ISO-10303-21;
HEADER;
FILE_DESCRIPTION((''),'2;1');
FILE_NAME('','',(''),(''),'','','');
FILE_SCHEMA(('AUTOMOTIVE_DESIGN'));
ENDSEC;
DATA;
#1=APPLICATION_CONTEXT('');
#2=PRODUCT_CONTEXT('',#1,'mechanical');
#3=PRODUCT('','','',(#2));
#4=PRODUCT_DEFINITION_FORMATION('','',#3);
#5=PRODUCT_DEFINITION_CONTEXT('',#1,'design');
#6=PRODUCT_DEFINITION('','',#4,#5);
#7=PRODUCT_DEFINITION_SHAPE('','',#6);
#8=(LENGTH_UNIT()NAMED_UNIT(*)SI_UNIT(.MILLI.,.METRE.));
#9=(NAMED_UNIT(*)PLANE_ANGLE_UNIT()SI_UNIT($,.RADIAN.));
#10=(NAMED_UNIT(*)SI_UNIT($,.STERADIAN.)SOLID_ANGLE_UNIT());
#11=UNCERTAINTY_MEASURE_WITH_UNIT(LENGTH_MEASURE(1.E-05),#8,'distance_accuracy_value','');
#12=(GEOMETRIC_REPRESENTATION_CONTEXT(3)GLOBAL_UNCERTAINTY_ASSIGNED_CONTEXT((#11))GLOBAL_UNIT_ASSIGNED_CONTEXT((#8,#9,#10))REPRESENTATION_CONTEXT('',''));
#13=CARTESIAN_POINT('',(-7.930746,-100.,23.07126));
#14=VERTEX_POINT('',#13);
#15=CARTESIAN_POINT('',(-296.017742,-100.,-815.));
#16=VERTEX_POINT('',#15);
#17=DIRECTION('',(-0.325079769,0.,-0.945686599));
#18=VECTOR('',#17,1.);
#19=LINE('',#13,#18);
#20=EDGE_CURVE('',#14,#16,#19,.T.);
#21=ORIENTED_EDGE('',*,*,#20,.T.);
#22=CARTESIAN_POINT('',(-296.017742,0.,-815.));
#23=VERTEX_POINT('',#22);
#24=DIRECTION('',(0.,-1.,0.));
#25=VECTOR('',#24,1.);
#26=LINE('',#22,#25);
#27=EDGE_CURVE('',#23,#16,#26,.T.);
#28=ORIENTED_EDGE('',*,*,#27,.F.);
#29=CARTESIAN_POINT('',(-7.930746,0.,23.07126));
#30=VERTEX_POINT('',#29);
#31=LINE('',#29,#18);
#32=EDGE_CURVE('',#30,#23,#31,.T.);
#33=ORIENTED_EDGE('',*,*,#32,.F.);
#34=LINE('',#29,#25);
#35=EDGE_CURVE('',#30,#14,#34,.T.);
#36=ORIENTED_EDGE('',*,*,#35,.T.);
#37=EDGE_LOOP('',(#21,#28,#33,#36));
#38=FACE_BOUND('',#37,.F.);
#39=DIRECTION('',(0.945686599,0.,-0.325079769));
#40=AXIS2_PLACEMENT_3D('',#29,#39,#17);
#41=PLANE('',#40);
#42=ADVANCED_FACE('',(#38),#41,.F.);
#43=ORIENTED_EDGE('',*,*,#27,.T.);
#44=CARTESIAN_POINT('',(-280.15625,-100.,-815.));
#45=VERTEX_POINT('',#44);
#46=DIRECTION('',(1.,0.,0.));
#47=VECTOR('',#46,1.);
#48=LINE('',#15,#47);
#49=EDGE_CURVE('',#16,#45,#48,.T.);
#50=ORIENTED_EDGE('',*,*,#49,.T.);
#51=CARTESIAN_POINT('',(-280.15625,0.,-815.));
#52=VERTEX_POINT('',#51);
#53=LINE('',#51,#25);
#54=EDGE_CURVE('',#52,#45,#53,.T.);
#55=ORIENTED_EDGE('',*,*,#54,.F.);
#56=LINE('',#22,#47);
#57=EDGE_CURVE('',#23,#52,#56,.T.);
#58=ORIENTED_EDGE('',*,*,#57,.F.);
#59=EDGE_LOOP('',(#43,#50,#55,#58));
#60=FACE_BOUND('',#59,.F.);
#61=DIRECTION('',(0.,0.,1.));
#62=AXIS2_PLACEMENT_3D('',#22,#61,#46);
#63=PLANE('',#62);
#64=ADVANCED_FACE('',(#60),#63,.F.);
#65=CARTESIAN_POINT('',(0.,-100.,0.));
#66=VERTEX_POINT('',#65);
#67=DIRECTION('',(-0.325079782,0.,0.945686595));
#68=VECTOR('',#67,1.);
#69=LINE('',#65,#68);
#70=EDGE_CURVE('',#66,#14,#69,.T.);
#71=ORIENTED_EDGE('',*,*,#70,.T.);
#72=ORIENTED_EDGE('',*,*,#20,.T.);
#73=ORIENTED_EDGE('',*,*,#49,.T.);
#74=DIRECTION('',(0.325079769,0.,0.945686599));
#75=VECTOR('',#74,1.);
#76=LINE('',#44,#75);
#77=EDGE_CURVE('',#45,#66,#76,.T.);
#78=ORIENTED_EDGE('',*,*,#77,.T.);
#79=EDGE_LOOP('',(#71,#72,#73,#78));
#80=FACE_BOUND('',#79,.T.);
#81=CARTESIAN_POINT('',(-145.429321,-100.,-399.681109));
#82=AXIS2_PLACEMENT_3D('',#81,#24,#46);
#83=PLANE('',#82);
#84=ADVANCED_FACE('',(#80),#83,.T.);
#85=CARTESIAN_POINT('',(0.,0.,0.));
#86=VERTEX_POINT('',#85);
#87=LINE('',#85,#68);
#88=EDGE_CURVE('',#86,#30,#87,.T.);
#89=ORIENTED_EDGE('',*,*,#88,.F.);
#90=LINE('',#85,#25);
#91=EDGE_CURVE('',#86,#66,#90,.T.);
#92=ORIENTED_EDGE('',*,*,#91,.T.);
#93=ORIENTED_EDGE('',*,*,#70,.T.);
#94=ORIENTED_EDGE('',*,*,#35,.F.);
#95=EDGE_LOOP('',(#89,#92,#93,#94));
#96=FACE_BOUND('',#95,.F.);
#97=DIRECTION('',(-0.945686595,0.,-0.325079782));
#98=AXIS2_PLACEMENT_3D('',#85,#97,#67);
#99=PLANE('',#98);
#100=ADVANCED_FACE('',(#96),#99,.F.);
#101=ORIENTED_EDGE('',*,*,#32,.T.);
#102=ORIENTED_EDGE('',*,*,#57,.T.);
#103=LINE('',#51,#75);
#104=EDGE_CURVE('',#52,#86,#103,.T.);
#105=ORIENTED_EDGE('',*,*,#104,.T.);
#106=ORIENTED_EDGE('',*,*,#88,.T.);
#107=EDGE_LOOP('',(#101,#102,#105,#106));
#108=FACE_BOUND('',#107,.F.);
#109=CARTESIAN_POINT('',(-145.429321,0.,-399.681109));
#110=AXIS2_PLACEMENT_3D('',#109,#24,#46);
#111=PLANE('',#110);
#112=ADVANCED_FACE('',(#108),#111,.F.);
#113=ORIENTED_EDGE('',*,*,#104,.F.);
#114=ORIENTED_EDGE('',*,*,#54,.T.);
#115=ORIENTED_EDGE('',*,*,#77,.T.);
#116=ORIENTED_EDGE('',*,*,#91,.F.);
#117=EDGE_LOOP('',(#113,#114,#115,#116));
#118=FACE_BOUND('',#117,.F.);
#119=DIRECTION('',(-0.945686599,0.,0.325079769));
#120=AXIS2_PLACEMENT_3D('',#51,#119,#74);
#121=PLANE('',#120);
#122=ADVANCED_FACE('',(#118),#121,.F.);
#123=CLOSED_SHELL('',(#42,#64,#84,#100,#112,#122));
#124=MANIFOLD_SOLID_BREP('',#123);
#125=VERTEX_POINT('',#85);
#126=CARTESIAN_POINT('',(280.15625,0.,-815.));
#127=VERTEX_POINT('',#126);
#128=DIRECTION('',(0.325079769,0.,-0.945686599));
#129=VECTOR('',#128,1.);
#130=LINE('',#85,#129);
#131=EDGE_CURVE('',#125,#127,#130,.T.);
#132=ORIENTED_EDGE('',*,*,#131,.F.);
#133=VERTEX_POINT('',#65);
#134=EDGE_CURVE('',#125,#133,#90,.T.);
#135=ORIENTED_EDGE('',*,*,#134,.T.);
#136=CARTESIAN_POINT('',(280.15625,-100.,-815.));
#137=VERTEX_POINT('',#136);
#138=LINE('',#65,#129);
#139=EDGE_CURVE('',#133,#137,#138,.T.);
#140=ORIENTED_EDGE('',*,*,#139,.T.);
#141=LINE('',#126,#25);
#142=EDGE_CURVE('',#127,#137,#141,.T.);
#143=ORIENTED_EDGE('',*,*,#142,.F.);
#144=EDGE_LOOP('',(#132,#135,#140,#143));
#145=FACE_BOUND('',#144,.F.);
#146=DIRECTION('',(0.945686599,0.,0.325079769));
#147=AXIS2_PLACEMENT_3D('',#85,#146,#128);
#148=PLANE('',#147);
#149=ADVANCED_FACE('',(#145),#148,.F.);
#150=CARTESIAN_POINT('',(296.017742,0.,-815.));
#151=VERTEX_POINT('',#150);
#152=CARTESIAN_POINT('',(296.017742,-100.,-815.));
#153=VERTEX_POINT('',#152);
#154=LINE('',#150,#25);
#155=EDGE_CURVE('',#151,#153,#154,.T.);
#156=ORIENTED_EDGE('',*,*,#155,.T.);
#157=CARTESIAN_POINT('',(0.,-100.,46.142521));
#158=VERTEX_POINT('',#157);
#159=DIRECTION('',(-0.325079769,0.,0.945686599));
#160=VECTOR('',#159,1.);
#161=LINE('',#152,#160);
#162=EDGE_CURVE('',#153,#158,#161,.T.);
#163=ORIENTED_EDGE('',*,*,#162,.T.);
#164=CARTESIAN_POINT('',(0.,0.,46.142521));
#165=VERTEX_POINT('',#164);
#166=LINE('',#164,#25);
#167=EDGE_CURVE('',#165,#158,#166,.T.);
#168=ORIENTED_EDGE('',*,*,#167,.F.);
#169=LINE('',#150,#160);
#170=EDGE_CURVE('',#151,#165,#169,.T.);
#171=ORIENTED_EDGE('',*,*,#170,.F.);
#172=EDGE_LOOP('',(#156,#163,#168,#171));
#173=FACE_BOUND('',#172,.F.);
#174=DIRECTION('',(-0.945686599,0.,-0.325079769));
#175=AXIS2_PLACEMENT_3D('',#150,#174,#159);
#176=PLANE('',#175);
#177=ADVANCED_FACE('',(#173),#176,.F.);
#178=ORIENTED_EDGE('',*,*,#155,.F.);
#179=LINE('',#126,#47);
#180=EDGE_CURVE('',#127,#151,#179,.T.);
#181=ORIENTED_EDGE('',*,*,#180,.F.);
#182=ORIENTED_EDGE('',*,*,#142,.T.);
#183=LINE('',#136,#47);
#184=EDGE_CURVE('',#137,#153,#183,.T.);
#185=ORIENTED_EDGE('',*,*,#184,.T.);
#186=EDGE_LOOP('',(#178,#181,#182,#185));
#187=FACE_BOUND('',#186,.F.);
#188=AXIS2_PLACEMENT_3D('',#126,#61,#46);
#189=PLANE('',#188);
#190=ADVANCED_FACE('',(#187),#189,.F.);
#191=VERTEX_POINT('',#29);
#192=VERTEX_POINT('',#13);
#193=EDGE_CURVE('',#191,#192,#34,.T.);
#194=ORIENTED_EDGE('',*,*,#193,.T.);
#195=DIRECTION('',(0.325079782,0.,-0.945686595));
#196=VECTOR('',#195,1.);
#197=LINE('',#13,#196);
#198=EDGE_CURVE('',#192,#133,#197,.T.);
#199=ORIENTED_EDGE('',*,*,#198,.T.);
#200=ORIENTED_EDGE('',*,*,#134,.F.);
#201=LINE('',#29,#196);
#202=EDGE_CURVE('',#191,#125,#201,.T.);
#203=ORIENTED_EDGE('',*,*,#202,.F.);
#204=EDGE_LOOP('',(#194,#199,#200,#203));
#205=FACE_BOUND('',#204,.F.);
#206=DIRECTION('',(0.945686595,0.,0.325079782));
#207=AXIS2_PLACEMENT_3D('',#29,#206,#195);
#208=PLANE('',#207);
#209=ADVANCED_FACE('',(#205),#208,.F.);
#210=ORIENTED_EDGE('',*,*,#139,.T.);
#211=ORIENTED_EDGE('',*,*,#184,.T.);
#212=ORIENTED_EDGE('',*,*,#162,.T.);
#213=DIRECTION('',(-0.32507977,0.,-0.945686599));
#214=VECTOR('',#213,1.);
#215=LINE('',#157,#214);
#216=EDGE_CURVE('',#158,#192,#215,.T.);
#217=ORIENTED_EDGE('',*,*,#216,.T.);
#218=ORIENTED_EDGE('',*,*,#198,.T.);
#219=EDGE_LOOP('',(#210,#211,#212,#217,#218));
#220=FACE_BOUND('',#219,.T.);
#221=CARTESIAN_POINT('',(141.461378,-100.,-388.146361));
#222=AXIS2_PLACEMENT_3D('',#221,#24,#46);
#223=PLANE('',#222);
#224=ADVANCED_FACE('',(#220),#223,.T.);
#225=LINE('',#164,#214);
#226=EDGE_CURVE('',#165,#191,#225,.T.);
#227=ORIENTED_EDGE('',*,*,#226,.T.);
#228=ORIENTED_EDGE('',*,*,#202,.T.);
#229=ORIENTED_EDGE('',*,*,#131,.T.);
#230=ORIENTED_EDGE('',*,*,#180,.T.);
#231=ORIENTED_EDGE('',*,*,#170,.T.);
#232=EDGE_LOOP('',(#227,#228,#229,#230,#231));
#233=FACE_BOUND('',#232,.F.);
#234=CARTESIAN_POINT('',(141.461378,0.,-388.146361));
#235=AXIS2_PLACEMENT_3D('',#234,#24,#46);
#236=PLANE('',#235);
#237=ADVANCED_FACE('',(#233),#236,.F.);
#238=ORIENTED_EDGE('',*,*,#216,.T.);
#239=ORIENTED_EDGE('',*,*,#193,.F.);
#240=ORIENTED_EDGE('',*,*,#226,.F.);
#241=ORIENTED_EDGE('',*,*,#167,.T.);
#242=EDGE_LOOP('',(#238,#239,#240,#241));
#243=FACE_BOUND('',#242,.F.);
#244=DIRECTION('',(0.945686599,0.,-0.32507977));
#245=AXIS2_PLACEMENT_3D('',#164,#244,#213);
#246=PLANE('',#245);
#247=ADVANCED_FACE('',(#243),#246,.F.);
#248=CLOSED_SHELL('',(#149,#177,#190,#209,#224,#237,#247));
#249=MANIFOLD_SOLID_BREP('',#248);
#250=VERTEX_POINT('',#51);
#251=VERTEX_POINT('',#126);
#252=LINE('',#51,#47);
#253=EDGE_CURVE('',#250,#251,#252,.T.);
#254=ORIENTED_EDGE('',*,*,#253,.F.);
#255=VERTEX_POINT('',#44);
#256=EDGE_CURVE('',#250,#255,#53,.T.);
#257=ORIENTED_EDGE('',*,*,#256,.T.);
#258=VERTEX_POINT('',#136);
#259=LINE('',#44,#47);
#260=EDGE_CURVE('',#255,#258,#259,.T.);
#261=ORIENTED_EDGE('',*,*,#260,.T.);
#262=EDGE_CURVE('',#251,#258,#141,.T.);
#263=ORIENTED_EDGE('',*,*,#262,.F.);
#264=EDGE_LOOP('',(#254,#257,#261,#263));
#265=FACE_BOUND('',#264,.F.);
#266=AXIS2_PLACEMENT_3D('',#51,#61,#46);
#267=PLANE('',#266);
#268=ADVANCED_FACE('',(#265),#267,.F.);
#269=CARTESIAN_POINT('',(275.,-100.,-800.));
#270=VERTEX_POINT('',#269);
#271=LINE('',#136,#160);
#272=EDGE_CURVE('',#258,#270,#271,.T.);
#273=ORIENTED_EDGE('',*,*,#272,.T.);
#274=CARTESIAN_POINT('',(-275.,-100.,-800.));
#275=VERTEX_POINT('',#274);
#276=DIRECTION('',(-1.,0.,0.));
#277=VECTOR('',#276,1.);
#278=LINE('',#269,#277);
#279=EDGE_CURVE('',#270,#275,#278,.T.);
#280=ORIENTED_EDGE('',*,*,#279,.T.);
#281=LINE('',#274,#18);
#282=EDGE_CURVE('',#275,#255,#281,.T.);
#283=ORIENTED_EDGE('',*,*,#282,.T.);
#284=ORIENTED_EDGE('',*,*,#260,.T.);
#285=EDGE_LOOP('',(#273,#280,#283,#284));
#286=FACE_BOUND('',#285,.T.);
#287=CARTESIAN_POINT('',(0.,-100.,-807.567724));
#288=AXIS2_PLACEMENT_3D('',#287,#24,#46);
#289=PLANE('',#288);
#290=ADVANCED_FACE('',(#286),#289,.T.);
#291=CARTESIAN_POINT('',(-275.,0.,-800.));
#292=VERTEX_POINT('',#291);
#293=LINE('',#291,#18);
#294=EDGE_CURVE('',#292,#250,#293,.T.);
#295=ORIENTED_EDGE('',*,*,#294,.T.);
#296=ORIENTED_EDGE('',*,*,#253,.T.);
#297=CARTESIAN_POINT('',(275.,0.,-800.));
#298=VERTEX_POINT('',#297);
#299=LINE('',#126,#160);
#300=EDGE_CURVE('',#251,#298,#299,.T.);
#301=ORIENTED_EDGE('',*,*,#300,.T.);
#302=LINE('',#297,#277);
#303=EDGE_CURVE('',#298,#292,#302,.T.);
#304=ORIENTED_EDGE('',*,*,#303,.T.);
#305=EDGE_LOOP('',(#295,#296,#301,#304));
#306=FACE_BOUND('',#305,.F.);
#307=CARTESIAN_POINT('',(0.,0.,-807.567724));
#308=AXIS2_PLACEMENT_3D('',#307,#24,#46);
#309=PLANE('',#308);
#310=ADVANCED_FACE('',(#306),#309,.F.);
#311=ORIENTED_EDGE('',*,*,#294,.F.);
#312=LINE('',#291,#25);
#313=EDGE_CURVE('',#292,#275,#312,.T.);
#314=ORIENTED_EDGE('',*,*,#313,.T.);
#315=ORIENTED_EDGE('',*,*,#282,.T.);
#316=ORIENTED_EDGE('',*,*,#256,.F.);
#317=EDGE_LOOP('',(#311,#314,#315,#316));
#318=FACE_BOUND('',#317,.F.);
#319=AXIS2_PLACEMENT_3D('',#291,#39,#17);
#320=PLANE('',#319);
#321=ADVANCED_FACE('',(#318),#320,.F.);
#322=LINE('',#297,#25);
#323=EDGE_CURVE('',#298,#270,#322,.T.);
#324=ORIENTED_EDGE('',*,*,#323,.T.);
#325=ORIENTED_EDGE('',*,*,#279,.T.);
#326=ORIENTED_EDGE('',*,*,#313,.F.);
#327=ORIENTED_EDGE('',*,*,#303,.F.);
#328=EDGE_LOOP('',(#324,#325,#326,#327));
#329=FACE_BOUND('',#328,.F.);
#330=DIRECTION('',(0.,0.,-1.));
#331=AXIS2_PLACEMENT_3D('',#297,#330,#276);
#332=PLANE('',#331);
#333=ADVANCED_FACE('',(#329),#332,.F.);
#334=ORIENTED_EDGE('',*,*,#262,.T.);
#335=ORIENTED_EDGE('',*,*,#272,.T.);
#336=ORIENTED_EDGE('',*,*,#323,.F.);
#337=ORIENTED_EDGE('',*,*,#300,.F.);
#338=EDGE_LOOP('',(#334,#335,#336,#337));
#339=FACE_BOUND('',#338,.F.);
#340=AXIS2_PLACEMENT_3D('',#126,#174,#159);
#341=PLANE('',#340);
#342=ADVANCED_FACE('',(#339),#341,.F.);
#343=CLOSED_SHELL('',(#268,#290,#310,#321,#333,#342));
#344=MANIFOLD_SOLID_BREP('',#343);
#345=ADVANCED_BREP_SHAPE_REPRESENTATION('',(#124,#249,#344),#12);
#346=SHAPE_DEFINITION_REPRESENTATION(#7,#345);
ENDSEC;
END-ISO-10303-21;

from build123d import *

# Parameters (mm, degrees)
F1_DEPTH = 100
F2_DEPTH = 100
F3_DEPTH = 100


with BuildPart() as f1:
    # F0 (on Front) → F1 (new body)
    with BuildSketch(Plane.XZ):
        Polygon((-280.15625, -815), (-275, -800), (0, 0), (-7.930746, 23.07126), (-296.017742, -815), align=None)
    extrude(amount=F1_DEPTH)


with BuildPart() as f2:
    # F0 (on Front) → F2 (new body)
    with BuildSketch(Plane.XZ):
        Polygon((0, 0), (275, -800), (280.15625, -815), (296.017742, -815), (0, 46.142521), (-7.930746, 23.07126), align=None)
    extrude(amount=F2_DEPTH)


with BuildPart() as f3:
    # F0 (on Front) → F3 (new body)
    with BuildSketch(Plane.XZ):
        Polygon((275, -800), (0, -800), (-275, -800), (-280.15625, -815), (0, -815), (280.15625, -815), align=None)
    extrude(amount=F3_DEPTH)


solid = Compound([f1.part, f2.part, f3.part])
